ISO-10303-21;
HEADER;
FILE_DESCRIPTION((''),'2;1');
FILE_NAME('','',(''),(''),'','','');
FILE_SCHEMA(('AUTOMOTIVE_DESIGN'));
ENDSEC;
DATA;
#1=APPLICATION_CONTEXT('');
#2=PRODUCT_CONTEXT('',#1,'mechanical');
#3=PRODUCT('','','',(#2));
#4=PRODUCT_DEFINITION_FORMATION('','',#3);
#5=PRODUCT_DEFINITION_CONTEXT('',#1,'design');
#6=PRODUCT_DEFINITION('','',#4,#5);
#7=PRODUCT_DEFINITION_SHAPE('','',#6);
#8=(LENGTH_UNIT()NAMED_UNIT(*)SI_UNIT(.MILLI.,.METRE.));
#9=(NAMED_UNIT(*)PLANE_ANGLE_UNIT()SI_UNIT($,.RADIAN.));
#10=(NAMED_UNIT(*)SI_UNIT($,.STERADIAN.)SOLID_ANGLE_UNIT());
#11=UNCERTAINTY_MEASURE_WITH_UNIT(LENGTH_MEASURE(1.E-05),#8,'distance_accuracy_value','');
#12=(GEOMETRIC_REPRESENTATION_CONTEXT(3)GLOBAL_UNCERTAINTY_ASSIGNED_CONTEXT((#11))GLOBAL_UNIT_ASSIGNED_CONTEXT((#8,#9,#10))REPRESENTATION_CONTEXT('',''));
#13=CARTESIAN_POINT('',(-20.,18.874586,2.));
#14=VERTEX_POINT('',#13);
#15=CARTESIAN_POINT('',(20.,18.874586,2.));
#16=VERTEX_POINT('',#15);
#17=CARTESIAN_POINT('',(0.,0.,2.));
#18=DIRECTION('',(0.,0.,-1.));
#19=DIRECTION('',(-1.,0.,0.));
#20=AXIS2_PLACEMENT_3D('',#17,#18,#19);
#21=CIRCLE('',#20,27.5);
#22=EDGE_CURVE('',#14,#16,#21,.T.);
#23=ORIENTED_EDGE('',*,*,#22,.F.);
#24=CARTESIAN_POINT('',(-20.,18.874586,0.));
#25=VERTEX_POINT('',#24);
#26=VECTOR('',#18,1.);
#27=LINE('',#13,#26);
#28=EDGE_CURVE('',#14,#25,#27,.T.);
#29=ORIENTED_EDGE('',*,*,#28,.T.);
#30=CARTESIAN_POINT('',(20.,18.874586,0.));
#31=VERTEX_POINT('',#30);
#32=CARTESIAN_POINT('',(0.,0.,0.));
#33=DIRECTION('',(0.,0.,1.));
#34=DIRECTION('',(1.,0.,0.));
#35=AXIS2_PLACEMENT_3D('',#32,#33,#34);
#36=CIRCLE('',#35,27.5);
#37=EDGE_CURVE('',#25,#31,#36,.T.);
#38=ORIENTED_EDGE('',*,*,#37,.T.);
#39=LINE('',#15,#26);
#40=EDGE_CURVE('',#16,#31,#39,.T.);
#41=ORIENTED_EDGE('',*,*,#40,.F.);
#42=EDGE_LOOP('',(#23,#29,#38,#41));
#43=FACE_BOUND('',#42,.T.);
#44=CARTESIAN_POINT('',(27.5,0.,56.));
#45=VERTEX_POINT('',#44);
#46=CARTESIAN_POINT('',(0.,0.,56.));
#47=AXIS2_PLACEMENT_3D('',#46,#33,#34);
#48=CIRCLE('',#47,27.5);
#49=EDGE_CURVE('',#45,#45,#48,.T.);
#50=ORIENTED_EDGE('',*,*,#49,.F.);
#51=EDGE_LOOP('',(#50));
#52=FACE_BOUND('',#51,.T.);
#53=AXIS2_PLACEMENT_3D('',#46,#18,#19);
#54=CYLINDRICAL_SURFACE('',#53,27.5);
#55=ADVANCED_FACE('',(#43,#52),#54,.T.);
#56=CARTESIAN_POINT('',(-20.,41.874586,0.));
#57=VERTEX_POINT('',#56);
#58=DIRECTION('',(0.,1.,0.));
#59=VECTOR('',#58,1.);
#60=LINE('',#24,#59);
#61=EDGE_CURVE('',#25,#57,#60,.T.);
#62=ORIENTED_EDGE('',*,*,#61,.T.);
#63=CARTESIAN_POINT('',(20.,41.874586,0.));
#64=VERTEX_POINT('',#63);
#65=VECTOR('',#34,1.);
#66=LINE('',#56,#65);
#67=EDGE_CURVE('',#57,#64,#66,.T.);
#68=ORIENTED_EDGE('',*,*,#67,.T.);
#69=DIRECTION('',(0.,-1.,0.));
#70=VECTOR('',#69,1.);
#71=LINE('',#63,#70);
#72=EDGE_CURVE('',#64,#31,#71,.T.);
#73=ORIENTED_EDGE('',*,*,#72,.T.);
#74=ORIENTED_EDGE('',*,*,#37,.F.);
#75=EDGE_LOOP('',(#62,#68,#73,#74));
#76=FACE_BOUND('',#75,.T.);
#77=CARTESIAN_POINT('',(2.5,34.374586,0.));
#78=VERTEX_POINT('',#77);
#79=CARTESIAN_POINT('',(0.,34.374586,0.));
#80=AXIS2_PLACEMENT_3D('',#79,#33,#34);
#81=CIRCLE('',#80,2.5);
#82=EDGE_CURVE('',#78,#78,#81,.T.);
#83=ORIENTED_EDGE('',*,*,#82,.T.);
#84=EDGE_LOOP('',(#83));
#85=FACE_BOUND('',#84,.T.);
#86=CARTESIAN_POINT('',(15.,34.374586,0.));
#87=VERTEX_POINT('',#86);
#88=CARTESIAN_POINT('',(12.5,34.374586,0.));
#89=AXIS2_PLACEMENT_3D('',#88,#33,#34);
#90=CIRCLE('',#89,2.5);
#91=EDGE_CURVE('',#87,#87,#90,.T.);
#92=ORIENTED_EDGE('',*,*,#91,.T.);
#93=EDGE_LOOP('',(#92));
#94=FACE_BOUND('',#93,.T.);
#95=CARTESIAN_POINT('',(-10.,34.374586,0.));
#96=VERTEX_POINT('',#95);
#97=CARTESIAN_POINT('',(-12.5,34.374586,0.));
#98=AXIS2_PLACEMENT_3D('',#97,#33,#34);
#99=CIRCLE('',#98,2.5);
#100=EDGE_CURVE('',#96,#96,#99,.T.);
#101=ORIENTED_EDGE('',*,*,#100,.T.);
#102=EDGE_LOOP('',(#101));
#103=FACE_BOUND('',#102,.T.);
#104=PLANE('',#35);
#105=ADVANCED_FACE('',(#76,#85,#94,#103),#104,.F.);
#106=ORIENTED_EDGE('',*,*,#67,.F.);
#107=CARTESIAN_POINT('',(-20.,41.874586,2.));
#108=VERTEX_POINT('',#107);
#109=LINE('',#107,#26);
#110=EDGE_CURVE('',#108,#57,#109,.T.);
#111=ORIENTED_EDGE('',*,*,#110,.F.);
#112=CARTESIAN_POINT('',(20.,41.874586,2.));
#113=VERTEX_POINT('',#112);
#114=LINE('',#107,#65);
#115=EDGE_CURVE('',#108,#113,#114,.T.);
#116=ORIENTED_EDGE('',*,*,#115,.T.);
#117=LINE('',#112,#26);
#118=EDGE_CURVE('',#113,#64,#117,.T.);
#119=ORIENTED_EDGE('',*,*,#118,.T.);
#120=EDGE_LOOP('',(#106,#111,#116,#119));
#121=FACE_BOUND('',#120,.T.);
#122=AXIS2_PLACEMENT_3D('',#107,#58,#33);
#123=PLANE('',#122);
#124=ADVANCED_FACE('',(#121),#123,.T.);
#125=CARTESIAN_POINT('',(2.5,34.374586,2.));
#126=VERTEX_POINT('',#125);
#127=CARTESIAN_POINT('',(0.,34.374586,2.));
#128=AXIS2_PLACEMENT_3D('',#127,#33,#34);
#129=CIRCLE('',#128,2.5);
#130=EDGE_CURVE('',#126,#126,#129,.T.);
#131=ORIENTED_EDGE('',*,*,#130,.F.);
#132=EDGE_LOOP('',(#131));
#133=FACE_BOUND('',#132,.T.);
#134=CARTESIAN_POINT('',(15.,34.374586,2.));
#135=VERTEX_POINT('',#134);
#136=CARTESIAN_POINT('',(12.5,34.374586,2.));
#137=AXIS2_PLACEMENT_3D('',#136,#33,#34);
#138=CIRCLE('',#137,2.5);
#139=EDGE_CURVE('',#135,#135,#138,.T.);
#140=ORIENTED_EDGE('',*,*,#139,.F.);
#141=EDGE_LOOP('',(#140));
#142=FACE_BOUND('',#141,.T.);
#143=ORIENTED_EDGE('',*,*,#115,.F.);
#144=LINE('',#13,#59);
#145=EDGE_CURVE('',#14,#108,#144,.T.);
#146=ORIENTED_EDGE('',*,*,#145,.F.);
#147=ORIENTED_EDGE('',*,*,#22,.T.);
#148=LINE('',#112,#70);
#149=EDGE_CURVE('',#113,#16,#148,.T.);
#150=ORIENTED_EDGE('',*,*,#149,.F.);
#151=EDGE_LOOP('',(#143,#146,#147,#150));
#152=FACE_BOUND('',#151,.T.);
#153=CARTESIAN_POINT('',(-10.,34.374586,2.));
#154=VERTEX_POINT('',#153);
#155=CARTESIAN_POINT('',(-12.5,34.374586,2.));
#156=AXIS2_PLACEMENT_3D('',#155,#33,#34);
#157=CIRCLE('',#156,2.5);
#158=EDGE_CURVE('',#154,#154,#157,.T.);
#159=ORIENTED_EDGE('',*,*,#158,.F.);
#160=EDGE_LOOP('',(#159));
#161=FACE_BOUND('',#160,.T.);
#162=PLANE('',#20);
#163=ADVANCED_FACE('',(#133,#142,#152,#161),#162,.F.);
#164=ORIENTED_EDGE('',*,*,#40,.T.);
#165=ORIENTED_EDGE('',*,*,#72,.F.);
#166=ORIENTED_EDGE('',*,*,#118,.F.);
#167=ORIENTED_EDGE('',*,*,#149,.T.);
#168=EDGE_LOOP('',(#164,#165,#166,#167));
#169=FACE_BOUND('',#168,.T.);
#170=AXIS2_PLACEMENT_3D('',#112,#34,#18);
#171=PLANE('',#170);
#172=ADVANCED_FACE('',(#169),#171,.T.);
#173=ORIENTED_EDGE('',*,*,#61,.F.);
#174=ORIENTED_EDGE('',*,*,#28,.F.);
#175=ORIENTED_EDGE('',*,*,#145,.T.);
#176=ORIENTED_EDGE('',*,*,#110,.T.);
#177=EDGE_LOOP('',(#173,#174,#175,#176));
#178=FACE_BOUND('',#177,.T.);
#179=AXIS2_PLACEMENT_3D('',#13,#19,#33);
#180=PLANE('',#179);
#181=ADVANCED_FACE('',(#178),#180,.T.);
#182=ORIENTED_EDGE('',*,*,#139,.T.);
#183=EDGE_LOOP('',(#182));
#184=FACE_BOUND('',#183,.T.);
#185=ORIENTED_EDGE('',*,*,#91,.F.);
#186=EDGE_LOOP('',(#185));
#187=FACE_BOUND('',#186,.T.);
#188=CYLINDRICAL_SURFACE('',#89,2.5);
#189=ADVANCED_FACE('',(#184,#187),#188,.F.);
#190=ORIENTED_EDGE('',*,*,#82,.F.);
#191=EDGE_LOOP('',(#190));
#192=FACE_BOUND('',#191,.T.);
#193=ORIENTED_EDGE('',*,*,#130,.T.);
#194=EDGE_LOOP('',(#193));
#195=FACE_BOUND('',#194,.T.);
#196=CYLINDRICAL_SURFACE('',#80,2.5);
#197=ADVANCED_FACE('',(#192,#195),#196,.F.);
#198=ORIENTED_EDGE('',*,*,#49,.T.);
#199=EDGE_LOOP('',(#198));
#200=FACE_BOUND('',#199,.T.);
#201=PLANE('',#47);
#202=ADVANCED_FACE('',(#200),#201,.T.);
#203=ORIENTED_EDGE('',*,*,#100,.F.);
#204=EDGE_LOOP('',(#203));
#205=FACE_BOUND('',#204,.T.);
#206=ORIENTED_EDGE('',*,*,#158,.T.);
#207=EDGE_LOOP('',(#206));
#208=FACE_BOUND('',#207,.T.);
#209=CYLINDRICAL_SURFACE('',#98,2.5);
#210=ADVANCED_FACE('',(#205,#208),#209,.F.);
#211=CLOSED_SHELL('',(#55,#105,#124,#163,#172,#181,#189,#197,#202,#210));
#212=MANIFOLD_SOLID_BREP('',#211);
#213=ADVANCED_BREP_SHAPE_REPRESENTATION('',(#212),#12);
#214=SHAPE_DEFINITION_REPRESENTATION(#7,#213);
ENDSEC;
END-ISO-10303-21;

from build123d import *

# Parameters (mm, degrees)
SKETCH_1_R          = 27.5
EXTRUDE_1_DEPTH     = 56
SKETCH_2_W          = 40
SKETCH_2_H          = 23
EXTRUDE_2_DEPTH     = 2
SKETCH_3_R          = 2.5
CUT_EXTRUDE_1_DEPTH = 2


with BuildPart() as part:
    # 草图1 → 凸台-拉伸1 (new body)
    with BuildSketch(Plane.XY):
        Circle(SKETCH_1_R)
    extrude(amount=EXTRUDE_1_DEPTH)

    # 草图2 → 凸台-拉伸2 (add)
    with BuildSketch(Plane(origin=(0, 0, 0), x_dir=(-1, 0, 0), z_dir=(0, 0, -1))):
        with Locations((0, 30.374586088)):
            Rectangle(SKETCH_2_W, SKETCH_2_H)
    extrude(amount=-EXTRUDE_2_DEPTH)

    # 草图3 → 切除-拉伸1 (cut)
    with BuildSketch(Plane.XY.offset(2)):
        with Locations((0, 34.374586088)):
            Circle(SKETCH_3_R)
        with Locations((-12.5, 34.374586088)):
            Circle(SKETCH_3_R)
        with Locations((12.5, 34.374586088)):
            Circle(SKETCH_3_R)
    extrude(amount=-CUT_EXTRUDE_1_DEPTH, mode=Mode.SUBTRACT)


solid = part.part
